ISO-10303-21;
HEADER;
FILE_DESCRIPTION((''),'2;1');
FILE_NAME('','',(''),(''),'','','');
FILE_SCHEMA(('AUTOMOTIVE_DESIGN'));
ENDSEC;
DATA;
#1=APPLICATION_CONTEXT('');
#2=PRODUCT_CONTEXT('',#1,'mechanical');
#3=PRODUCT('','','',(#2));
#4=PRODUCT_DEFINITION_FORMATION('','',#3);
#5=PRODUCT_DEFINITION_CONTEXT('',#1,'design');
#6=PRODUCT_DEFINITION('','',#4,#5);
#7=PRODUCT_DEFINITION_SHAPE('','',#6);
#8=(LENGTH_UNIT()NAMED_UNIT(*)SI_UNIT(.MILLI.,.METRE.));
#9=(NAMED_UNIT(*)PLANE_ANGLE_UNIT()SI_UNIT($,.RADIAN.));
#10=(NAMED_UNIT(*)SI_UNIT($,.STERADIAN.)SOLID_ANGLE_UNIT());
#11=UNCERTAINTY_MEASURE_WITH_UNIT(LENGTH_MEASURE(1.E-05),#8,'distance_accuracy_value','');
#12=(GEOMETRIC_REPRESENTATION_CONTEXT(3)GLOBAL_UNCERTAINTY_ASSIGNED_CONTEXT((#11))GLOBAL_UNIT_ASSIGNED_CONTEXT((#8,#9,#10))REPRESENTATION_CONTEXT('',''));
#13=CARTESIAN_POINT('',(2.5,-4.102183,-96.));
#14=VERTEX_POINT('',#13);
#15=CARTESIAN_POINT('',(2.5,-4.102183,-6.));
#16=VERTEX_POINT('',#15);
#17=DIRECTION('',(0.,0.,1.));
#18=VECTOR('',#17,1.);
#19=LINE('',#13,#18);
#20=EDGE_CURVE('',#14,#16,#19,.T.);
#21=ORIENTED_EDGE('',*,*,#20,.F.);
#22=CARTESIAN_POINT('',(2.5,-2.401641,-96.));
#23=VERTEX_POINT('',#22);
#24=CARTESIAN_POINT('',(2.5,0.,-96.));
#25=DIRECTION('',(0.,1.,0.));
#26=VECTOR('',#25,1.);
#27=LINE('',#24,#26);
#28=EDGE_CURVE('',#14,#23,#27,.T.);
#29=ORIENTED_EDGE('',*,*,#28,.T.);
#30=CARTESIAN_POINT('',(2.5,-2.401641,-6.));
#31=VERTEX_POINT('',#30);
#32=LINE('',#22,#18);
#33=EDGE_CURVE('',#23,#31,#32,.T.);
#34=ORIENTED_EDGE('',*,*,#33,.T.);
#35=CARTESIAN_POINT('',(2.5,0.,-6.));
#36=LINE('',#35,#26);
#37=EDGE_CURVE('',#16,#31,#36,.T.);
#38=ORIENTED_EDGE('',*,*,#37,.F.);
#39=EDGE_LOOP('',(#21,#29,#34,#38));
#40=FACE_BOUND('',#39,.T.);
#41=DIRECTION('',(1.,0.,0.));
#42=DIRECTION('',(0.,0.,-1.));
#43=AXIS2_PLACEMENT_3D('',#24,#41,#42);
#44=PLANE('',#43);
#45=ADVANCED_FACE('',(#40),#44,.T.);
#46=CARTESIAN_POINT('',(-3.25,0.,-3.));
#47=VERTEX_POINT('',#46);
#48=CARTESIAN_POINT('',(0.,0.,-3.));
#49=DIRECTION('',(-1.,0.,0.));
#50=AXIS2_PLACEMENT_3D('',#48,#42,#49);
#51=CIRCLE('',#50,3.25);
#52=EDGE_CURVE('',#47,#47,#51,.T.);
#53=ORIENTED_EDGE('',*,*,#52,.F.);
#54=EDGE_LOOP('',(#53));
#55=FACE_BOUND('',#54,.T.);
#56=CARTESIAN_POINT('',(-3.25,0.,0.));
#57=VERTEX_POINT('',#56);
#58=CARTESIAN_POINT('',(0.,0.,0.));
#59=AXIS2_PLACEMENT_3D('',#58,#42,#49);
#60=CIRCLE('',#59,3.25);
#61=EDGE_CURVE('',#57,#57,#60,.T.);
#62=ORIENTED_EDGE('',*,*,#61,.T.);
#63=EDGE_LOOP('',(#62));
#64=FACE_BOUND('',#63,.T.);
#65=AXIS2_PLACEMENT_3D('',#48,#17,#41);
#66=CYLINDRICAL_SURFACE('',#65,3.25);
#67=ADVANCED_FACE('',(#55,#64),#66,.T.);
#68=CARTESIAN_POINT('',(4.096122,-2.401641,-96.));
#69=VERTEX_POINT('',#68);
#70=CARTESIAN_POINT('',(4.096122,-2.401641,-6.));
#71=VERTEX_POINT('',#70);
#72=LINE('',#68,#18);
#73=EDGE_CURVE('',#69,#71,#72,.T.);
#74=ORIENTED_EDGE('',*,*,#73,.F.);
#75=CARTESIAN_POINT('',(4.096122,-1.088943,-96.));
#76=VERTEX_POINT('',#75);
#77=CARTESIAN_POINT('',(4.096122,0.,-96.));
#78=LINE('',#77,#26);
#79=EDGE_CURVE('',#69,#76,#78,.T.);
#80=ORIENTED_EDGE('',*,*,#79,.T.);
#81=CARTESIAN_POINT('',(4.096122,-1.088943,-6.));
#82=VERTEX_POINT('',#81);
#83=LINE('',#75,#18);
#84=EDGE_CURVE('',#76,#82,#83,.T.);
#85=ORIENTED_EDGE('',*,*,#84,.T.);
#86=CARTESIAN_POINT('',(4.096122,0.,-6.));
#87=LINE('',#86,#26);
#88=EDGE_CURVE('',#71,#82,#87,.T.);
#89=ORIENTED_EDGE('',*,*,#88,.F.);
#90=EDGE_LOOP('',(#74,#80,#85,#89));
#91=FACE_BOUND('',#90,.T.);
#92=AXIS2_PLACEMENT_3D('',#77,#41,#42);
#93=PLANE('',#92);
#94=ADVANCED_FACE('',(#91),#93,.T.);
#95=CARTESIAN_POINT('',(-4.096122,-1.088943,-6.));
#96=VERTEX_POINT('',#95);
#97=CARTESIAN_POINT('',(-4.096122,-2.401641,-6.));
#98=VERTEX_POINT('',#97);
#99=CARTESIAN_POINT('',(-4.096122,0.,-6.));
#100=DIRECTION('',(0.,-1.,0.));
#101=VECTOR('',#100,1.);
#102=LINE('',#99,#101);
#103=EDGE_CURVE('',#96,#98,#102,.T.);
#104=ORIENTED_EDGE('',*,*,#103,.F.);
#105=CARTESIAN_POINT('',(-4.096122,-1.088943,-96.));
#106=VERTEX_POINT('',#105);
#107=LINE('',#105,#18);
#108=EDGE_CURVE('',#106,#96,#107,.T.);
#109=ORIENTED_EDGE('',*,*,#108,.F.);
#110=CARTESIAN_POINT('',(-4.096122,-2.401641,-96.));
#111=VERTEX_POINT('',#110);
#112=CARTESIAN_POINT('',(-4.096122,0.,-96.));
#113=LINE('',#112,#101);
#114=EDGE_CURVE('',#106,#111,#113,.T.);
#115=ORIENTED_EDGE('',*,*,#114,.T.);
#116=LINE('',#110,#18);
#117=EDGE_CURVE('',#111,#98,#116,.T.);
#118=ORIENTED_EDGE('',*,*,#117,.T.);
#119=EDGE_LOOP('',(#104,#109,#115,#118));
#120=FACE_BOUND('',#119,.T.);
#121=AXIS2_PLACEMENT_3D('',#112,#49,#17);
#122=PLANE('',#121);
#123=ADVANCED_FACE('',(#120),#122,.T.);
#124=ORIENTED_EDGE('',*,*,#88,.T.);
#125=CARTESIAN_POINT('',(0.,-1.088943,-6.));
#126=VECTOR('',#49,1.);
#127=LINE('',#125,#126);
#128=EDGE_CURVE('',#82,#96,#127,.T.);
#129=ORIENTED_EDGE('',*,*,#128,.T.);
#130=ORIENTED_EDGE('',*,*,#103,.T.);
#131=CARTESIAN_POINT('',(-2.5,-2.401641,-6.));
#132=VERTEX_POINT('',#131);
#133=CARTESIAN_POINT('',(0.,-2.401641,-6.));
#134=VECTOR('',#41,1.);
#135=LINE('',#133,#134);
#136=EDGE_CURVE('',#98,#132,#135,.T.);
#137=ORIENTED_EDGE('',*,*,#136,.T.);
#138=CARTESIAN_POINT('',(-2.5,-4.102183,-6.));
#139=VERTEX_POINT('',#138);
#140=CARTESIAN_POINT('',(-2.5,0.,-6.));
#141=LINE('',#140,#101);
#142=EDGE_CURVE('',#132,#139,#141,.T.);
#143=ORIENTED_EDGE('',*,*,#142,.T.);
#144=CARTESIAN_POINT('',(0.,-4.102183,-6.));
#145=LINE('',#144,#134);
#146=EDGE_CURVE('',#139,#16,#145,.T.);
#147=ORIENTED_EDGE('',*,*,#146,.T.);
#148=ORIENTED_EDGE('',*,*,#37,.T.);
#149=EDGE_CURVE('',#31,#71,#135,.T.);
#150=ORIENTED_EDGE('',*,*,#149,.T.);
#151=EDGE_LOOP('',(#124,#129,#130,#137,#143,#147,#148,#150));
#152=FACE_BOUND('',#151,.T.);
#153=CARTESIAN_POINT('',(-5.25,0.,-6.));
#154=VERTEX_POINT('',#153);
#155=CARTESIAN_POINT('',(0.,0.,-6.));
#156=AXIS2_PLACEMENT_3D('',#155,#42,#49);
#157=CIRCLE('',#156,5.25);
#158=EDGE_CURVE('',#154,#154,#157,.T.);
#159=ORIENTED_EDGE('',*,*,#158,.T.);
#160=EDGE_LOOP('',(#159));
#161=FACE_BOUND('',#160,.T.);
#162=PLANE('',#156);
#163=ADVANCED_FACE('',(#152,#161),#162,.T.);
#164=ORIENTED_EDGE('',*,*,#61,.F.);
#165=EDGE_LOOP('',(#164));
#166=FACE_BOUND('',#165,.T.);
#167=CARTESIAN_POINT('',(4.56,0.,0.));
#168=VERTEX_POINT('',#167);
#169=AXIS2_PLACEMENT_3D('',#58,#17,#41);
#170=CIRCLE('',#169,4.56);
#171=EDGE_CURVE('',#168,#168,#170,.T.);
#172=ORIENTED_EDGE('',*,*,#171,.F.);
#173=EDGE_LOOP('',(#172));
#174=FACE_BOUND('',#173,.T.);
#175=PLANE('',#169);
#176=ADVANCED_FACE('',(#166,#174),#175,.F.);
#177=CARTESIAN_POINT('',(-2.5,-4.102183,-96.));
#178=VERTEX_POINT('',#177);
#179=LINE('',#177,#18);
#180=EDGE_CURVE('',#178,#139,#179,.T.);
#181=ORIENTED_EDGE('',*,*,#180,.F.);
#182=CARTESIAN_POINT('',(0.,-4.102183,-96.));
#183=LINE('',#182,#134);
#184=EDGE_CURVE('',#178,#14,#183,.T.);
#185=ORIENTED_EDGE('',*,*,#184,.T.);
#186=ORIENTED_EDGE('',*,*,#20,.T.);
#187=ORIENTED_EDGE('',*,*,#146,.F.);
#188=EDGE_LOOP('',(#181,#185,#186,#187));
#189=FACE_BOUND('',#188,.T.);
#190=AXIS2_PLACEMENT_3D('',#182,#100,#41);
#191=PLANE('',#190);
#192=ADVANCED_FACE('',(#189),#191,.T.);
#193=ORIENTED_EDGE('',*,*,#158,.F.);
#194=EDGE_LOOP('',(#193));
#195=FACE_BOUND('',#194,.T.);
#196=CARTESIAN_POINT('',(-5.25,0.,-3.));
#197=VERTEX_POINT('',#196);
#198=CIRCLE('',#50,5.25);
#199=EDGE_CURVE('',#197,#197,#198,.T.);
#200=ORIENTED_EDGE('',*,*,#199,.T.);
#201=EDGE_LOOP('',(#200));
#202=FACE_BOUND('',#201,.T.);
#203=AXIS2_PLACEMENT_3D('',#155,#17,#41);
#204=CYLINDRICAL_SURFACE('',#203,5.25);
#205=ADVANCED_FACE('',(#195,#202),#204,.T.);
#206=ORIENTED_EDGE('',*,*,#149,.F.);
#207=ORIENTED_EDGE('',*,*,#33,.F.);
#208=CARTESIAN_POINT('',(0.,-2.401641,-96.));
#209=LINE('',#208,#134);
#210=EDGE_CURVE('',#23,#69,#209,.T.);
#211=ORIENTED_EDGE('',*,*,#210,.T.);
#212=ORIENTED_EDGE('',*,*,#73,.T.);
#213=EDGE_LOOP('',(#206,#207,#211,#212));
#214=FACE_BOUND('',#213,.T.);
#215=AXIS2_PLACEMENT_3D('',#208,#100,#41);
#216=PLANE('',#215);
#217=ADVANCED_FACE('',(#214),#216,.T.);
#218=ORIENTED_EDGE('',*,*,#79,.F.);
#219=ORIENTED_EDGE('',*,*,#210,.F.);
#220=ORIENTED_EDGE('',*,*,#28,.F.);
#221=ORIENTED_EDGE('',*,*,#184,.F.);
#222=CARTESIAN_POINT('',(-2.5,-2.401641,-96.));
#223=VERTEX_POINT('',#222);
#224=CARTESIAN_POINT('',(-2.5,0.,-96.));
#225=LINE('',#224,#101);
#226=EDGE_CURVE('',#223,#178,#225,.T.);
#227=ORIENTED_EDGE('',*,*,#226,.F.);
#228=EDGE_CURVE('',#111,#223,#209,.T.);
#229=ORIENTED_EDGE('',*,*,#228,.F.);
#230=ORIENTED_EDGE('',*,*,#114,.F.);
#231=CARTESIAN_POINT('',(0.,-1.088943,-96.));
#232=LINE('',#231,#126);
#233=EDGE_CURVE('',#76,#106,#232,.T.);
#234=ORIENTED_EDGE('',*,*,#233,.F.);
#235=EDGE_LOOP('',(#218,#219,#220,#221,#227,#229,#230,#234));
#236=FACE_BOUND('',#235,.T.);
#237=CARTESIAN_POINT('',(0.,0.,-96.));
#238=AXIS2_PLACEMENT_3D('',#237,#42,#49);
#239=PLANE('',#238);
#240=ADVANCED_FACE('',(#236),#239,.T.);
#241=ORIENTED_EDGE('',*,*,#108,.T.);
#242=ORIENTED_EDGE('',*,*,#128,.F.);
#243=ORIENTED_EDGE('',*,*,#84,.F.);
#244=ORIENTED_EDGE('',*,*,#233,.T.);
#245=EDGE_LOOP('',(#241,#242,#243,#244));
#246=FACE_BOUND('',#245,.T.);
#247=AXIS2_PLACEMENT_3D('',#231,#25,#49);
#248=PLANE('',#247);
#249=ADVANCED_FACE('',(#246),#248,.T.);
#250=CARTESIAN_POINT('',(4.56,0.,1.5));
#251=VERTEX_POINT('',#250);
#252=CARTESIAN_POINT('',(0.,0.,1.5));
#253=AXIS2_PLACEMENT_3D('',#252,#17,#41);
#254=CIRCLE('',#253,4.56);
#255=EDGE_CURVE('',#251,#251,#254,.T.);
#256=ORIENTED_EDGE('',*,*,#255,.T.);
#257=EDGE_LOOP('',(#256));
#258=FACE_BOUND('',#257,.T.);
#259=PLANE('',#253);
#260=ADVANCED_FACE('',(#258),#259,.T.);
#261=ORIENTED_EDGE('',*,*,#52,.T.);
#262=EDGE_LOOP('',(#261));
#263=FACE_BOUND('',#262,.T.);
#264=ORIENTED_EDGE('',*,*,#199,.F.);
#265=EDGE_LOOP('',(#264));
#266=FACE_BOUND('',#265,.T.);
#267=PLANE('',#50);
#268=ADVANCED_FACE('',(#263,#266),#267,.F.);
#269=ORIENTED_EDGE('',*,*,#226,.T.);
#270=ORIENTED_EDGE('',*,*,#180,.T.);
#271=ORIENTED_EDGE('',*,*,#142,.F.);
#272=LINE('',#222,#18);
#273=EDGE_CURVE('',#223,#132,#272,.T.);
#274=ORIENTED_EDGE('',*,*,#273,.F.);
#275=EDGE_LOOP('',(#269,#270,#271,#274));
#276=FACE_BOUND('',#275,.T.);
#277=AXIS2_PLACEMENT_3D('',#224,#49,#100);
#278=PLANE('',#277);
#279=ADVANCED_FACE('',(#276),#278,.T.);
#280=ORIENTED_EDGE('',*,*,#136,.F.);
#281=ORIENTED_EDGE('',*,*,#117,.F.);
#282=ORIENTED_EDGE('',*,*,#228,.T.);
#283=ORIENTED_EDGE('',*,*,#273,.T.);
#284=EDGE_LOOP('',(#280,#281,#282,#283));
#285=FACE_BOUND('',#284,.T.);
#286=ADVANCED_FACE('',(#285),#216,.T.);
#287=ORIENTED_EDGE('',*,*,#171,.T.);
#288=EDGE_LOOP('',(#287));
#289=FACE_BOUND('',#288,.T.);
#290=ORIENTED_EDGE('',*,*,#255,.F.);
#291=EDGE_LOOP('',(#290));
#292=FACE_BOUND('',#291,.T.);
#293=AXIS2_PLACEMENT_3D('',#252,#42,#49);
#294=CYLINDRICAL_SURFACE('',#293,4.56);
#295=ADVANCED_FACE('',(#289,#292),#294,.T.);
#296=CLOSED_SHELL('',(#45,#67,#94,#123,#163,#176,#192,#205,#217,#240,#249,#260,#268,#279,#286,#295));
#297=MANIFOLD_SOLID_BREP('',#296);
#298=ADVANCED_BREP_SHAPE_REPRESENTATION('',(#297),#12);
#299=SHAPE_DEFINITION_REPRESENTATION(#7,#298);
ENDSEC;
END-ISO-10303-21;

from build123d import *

# Parameters (mm, degrees)
CROQUIS1_R              = 4.56
SALIENTE_EXTRUIR4_DEPTH = 1.5
CROQUIS4_R              = 3.25
SALIENTE_EXTRUIR5_DEPTH = 3
CROQUIS5_R              = 5.25
SALIENTE_EXTRUIR6_DEPTH = 3
CROQUIS6_W              = 2.5
CROQUIS6_H              = 1.700541123
SALIENTE_EXTRUIR7_DEPTH = 90


with BuildPart() as part:
    # Croquis1 → Saliente-Extruir4 (new body)
    with BuildSketch(Plane.XY):
        Circle(CROQUIS1_R)
    extrude(amount=SALIENTE_EXTRUIR4_DEPTH)

    # Croquis4 → Saliente-Extruir5 (add)
    with BuildSketch(Plane(origin=(0, 0, 0), x_dir=(-1, 0, 0), z_dir=(0, 0, -1))):
        Circle(CROQUIS4_R)
    extrude(amount=SALIENTE_EXTRUIR5_DEPTH)

    # Croquis5 → Saliente-Extruir6 (add)
    with BuildSketch(Plane(origin=(0, 0, -3), x_dir=(-1, 0, 0), z_dir=(0, 0, -1))):
        Circle(CROQUIS5_R)
    extrude(amount=SALIENTE_EXTRUIR6_DEPTH)

    # Croquis6 → Saliente-Extruir7 (add)
    with BuildSketch(Plane(origin=(0, 0, -6), x_dir=(-1, 0, 0), z_dir=(0, 0, -1))):
        Polygon((0, -2.40164141), (0, -1.088943), (-4.096121931, -1.088943), (-4.096121931, -2.40164141), (-2.5, -2.40164141), align=None)
        Polygon((4.096121931, -1.088943), (0, -1.088943), (0, -2.40164141), (2.5, -2.40164141), (4.096121931, -2.40164141), align=None)
        with Locations((1.25, -3.251911972)):
            Rectangle(CROQUIS6_W, CROQUIS6_H)
        with Locations((-1.25, -3.251911972)):
            Rectangle(CROQUIS6_W, CROQUIS6_H)
    extrude(amount=SALIENTE_EXTRUIR7_DEPTH)


solid = part.part
